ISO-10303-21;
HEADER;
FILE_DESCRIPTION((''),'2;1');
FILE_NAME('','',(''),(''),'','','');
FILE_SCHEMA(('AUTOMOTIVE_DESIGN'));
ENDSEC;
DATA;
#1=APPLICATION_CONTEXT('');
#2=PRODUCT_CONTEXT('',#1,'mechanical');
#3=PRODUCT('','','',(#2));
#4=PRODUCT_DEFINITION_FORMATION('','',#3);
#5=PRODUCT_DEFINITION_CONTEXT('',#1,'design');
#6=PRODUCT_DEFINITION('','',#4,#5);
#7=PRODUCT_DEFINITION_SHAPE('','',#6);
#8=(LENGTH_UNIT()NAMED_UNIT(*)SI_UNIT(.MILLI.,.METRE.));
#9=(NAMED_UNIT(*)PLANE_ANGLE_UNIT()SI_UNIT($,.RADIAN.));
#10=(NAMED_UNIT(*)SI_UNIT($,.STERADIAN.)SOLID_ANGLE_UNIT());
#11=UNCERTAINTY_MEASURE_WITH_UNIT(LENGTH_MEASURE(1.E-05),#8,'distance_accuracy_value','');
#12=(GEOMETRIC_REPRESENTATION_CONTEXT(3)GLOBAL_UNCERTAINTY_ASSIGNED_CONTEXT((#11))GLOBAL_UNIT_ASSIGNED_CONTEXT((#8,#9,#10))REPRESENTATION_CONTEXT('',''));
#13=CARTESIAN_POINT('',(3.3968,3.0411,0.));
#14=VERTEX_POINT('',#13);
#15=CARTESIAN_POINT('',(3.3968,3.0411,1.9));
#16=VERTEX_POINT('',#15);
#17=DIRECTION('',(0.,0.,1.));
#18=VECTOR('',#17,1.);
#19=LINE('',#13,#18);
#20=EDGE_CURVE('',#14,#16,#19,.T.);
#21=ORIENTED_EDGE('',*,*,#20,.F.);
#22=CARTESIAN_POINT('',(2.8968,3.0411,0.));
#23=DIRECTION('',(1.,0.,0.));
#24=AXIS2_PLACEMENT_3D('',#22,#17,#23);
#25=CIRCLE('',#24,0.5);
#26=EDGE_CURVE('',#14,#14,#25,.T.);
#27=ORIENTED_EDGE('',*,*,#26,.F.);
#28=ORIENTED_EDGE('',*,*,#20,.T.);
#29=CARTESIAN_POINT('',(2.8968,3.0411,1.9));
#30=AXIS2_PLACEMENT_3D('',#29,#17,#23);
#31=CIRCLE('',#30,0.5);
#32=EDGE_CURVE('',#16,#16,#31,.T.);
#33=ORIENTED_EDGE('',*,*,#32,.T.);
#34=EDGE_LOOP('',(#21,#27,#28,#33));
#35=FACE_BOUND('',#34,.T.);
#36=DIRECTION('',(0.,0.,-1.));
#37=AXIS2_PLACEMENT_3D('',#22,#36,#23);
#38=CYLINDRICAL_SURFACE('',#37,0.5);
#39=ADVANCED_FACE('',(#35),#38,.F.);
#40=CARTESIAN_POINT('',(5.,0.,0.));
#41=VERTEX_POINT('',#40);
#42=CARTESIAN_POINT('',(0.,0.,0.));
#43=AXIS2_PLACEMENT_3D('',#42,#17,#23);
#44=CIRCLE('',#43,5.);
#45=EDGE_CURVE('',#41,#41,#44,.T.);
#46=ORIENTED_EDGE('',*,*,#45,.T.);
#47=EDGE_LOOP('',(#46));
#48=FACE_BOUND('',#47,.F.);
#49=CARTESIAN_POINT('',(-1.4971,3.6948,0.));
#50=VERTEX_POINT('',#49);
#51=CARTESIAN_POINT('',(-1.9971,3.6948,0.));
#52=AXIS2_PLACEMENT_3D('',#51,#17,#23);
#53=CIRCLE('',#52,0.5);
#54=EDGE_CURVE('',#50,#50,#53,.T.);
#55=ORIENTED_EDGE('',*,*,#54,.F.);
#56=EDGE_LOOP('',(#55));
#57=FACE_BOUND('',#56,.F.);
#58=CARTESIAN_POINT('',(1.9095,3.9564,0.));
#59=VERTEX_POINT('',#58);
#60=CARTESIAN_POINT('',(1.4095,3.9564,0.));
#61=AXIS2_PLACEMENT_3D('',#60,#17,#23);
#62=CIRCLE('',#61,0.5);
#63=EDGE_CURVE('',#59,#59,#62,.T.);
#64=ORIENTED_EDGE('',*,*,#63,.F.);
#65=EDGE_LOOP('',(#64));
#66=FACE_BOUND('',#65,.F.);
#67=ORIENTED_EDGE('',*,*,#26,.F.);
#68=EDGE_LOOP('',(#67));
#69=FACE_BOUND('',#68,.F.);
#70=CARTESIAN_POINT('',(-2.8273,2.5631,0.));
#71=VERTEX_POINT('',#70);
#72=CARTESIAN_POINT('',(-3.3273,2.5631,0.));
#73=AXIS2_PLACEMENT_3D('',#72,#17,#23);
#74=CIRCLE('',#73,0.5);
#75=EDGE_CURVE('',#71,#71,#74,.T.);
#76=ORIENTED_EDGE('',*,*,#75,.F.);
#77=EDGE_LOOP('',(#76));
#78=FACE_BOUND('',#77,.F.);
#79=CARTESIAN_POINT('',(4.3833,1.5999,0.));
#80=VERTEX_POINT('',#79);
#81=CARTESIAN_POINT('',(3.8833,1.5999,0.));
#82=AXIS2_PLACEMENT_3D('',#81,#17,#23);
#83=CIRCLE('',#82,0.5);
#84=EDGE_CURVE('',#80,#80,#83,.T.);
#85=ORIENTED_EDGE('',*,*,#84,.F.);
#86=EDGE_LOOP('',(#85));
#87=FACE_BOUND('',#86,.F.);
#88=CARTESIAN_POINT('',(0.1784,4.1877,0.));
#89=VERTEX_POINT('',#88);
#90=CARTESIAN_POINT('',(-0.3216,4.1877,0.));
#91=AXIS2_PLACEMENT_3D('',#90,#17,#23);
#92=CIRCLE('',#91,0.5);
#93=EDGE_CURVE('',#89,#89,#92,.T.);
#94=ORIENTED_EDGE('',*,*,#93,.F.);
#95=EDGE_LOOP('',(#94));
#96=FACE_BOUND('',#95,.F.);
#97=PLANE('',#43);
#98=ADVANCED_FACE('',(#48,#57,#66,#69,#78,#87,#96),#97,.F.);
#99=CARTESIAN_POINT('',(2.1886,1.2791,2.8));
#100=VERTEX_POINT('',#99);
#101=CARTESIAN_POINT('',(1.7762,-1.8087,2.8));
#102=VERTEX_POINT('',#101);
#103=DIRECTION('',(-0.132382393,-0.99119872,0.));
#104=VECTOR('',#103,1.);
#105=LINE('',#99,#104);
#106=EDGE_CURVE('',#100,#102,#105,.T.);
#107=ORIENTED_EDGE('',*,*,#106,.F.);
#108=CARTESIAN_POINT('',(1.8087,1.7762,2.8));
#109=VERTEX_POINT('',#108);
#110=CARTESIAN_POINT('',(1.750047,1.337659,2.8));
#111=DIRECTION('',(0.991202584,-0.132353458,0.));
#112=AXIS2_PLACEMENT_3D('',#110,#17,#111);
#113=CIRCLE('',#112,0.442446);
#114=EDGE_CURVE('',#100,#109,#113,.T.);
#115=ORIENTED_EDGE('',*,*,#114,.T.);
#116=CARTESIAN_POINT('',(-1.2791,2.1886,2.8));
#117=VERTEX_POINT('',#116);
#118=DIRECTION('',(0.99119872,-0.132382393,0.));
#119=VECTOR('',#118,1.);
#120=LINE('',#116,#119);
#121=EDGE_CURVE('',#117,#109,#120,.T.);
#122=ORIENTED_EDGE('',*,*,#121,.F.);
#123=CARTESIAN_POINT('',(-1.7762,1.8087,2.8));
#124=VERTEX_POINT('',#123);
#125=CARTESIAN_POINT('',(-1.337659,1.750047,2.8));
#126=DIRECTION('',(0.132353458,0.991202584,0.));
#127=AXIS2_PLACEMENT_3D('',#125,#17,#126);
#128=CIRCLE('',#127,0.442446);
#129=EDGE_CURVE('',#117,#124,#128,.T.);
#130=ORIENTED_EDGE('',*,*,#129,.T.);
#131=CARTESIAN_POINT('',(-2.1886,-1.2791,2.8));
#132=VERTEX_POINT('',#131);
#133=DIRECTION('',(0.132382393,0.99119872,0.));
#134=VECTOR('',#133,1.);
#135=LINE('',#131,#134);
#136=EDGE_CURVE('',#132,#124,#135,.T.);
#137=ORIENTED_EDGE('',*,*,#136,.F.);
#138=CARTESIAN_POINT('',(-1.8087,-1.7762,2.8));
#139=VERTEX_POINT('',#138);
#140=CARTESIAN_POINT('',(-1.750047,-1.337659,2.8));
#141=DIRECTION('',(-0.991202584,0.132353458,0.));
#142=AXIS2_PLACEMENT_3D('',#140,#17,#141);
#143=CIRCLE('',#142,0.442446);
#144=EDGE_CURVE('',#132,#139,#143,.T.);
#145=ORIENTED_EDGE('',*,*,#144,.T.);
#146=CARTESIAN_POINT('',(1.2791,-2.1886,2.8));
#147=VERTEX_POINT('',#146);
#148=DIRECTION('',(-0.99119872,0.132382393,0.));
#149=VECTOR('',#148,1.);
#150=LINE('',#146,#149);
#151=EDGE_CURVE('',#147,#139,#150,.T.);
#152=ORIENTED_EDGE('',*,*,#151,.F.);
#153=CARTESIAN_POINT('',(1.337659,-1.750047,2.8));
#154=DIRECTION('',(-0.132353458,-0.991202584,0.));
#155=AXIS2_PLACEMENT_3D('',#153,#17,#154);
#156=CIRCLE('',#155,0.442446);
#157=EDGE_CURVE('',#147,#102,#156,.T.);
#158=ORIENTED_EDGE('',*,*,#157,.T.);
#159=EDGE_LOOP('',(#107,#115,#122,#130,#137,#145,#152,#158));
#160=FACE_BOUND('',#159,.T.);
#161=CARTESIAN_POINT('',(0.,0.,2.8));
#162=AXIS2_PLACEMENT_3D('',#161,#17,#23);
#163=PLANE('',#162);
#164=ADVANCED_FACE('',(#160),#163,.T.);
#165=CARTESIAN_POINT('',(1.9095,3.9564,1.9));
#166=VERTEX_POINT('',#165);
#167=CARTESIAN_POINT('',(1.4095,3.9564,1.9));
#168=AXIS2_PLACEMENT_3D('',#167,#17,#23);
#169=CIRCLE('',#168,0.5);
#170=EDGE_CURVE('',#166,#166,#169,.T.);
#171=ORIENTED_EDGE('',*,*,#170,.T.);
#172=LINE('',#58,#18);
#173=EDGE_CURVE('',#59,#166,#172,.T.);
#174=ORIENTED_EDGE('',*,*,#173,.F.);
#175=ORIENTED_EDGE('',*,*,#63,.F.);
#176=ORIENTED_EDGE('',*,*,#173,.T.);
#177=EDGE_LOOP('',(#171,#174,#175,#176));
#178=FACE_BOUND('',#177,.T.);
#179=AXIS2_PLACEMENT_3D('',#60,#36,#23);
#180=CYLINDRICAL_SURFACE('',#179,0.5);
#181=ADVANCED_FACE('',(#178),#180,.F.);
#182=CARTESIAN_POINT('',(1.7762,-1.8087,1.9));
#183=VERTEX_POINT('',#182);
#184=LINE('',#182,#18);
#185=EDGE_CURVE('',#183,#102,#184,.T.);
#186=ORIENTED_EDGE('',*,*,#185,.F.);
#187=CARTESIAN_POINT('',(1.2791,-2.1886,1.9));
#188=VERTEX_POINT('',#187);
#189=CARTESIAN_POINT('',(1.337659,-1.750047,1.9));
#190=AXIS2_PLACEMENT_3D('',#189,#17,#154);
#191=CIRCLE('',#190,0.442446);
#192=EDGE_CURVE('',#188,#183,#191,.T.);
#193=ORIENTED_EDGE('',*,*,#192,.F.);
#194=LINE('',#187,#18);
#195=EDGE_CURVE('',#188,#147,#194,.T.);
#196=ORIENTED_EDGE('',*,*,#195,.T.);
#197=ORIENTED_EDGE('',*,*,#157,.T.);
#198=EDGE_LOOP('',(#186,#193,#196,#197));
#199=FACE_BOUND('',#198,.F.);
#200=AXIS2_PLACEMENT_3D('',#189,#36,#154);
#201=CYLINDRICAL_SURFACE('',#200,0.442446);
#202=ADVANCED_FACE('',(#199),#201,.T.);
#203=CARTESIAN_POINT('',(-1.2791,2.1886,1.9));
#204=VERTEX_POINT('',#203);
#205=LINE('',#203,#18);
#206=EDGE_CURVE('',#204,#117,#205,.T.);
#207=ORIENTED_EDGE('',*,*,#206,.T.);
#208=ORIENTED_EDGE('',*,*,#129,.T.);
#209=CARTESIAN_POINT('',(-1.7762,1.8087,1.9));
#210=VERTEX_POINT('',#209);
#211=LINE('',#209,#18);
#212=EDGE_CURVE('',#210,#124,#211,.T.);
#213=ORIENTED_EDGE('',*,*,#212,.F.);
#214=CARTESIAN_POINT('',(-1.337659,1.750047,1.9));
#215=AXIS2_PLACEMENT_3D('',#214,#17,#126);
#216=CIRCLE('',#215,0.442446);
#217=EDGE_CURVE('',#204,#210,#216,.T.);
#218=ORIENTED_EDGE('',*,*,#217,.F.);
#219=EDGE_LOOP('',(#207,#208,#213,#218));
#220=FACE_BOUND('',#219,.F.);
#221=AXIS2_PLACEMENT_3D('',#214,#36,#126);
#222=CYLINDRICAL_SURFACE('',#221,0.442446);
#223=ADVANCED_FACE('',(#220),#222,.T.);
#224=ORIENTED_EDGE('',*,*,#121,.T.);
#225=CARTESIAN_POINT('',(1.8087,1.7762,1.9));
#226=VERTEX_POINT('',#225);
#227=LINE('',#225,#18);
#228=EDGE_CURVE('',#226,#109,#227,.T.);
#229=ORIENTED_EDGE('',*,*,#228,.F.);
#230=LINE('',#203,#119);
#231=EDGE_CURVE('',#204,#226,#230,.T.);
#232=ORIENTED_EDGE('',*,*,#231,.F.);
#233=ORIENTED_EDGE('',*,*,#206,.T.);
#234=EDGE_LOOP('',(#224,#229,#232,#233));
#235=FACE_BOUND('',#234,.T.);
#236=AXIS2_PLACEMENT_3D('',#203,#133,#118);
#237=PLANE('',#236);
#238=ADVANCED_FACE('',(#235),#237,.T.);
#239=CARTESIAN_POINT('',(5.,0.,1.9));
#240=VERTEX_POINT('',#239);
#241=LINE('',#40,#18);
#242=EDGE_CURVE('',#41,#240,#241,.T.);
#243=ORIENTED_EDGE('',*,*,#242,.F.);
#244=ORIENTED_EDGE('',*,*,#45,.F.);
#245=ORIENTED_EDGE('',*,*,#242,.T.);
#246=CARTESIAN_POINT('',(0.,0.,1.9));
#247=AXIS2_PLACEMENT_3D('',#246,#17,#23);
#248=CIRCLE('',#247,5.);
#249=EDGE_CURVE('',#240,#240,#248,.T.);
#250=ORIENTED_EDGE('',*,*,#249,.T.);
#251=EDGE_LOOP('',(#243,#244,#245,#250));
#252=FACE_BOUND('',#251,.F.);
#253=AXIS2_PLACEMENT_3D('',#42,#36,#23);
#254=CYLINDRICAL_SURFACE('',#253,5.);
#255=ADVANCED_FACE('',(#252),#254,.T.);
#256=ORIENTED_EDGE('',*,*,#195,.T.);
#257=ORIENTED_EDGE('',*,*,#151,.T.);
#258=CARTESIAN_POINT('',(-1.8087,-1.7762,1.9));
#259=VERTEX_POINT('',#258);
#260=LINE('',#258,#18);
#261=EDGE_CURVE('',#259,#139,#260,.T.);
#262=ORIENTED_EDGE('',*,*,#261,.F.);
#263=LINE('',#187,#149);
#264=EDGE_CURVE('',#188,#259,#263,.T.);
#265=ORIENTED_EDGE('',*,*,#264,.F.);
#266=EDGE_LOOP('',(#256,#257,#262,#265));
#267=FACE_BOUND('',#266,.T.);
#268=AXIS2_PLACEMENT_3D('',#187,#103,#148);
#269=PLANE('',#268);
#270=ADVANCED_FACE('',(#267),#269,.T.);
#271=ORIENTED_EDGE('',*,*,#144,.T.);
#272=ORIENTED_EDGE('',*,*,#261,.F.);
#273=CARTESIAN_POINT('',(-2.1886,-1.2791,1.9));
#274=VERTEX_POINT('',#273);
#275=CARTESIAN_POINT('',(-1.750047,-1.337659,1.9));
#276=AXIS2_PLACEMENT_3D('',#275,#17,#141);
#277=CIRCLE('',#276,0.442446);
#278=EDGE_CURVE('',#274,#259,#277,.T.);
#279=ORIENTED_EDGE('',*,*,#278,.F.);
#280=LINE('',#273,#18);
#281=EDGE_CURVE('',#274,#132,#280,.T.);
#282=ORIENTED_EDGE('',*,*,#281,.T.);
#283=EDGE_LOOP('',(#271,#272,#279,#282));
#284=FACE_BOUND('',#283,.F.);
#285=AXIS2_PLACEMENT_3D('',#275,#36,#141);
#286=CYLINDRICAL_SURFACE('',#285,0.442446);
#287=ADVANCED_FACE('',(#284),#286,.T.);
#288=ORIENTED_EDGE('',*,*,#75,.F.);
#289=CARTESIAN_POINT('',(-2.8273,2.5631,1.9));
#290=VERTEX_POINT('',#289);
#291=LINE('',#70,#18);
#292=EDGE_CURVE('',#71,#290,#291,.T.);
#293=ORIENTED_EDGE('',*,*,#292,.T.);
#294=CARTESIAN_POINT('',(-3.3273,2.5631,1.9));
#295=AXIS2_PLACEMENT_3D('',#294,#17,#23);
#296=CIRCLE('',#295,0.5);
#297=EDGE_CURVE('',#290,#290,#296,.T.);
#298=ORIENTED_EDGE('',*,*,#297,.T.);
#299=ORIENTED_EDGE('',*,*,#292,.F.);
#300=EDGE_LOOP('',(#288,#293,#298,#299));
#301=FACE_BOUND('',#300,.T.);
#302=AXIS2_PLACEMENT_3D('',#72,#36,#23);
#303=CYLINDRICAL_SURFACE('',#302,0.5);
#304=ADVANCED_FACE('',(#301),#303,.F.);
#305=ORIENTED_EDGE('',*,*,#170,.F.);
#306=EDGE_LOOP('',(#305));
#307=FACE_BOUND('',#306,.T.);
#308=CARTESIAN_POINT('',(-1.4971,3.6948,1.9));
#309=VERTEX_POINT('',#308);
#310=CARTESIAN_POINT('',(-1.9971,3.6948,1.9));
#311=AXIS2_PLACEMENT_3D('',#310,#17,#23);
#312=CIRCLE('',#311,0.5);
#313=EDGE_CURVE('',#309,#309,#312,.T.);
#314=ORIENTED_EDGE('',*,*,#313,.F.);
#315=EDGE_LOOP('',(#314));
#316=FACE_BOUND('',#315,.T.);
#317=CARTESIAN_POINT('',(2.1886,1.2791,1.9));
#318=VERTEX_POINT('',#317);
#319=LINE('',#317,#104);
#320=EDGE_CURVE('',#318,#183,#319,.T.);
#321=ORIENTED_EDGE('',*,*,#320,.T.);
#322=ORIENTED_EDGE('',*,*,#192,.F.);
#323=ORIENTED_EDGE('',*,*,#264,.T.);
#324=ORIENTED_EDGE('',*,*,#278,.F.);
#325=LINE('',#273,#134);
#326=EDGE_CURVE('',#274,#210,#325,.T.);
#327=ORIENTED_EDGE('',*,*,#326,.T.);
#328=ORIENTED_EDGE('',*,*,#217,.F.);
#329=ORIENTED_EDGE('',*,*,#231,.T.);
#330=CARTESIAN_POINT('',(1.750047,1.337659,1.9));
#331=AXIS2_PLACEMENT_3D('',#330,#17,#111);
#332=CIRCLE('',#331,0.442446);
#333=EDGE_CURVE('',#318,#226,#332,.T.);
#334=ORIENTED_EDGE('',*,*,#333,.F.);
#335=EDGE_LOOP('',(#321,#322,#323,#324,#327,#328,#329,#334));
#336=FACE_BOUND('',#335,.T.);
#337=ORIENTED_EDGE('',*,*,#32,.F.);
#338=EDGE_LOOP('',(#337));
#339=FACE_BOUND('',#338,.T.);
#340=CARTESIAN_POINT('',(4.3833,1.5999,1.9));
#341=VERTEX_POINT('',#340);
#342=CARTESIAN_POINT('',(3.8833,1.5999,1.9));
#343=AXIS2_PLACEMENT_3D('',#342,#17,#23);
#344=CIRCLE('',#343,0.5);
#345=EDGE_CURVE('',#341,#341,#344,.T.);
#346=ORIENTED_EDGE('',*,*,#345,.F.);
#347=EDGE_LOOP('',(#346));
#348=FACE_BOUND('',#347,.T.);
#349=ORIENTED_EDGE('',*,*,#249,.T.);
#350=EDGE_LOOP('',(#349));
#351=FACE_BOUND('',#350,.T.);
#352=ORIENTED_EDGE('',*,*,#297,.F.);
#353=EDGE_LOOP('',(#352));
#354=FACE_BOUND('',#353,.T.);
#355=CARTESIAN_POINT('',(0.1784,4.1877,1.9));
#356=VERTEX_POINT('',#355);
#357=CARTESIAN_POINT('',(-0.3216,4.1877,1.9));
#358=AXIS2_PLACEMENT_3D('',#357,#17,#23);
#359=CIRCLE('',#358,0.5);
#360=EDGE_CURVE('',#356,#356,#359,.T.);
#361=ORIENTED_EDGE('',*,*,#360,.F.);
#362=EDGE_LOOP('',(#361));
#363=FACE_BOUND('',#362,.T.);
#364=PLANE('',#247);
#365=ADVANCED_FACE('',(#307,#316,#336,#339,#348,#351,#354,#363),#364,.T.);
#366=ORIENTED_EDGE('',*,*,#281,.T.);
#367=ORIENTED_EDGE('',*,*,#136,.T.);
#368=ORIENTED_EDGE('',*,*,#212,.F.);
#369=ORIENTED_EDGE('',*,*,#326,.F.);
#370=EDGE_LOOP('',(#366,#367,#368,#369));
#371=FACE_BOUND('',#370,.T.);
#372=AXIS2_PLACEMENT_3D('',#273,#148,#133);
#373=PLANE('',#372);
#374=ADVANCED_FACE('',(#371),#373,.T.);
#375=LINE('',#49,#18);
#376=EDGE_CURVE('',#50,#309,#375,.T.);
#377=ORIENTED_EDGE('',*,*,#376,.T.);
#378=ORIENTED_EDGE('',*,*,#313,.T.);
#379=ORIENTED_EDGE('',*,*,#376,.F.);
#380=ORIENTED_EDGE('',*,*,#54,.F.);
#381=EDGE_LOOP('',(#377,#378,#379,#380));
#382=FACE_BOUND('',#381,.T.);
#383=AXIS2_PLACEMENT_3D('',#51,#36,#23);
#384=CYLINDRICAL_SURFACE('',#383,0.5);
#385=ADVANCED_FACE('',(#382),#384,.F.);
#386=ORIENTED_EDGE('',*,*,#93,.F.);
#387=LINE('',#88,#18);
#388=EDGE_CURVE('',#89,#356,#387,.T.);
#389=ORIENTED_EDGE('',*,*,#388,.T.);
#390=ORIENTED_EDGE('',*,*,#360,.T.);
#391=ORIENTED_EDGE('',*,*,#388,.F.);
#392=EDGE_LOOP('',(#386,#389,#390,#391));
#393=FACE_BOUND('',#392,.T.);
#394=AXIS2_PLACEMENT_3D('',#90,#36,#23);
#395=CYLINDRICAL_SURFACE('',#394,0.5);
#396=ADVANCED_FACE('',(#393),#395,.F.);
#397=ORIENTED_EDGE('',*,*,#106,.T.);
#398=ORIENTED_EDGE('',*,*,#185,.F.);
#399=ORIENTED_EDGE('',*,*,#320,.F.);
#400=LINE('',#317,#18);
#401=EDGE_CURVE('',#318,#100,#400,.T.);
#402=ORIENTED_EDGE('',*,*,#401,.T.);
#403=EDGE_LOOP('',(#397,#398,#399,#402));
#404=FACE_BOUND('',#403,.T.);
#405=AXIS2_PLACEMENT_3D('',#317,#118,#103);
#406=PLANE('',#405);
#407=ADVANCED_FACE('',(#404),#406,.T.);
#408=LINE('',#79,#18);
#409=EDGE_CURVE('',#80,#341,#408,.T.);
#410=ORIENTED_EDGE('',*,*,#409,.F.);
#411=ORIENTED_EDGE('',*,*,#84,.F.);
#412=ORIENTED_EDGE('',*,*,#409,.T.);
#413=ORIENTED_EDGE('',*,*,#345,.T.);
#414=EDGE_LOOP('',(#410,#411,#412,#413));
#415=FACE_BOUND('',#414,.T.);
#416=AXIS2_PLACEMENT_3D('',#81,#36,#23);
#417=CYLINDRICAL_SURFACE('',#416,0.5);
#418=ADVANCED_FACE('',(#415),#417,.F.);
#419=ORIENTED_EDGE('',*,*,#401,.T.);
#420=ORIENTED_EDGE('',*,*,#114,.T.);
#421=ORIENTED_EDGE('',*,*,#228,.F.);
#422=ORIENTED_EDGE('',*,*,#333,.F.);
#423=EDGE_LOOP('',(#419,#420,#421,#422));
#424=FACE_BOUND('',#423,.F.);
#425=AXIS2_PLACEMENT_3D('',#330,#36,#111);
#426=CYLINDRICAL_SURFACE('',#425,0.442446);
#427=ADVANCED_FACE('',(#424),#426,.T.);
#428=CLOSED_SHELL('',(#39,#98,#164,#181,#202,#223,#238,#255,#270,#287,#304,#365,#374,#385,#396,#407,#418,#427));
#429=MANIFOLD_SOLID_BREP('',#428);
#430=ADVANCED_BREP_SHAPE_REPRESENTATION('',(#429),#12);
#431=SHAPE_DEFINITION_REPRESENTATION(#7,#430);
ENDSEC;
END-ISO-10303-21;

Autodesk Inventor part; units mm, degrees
ref_plane "YZ Plane" through (0, 0, 0) normal (1, 0, 0) x (0, 1, 0)
ref_plane "XZ Plane" through (0, 0, 0) normal (0, 1, 0) x (-1, 0, 0)
ref_plane "XY Plane" through (0, 0, 0) normal (0, 0, 1) x (1, 0, 0)
sketch "Sketch1" plane through (0, 0, 0) normal (0, 0, 1) x (1, 0, 0)
  line L0 (0, -7) -> (0, 7) construction
  line L1 (-7, 0) -> (7, 0) construction
  circle A0 centre (0, 0) radius 5
  circle A1 centre (0, 0) radius 4.2 construction
  circle A2 centre (3.8833, 1.5999) radius 0.5
  circle A3 centre (2.8968, 3.0411) radius 0.5
  circle A4 centre (1.4095, 3.9564) radius 0.5
  circle A5 centre (-0.3216, 4.1877) radius 0.5
  circle A6 centre (-1.9971, 3.6948) radius 0.5
  circle A7 centre (-3.3273, 2.5631) radius 0.5
  line L2 (1.2791, -2.1886) -> (-1.8087, -1.7762)
  line L3 (-2.1886, -1.2791) -> (-1.7762, 1.8087)
  line L4 (-1.2791, 2.1886) -> (1.8087, 1.7762)
  line L5 (2.1886, 1.2791) -> (1.7762, -1.8087)
  arc A8 (1.2791, -2.1886) -> (1.7762, -1.8087) centre (1.3377, -1.7502) ccw
  arc A9 (-2.1886, -1.2791) -> (-1.8087, -1.7762) centre (-1.7502, -1.3377) ccw
  arc A10 (-1.2791, 2.1886) -> (-1.7762, 1.8087) centre (-1.3377, 1.7502) ccw
  arc A11 (2.1886, 1.2791) -> (1.8087, 1.7762) centre (1.7502, 1.3377) ccw
  line L6 (2.8968, 3.0411) -> (-1.9971, 3.6948) construction
  line L7 (0.2648, 1.9824) -> (-0.2648, -1.9824) construction
  dimension "d1" = 8.4
  dimension "d0" = 10
  dimension "d2" = 1
  dimension "d5" = 120
  dimension "d9" = 4
extrude "Extrusion1" add sketch "Sketch1" along normal blind 1.9 contours A0 | L2 A9 L3 A10 L4 A11 L5 A8
extrude "Extrusion2" add sketch "Sketch1" along normal blind 0.9 from surface at 1.9 contours L2 A9 L3 A10 L4 A11 L5 A8
properties part number "FootSensorPCB"
